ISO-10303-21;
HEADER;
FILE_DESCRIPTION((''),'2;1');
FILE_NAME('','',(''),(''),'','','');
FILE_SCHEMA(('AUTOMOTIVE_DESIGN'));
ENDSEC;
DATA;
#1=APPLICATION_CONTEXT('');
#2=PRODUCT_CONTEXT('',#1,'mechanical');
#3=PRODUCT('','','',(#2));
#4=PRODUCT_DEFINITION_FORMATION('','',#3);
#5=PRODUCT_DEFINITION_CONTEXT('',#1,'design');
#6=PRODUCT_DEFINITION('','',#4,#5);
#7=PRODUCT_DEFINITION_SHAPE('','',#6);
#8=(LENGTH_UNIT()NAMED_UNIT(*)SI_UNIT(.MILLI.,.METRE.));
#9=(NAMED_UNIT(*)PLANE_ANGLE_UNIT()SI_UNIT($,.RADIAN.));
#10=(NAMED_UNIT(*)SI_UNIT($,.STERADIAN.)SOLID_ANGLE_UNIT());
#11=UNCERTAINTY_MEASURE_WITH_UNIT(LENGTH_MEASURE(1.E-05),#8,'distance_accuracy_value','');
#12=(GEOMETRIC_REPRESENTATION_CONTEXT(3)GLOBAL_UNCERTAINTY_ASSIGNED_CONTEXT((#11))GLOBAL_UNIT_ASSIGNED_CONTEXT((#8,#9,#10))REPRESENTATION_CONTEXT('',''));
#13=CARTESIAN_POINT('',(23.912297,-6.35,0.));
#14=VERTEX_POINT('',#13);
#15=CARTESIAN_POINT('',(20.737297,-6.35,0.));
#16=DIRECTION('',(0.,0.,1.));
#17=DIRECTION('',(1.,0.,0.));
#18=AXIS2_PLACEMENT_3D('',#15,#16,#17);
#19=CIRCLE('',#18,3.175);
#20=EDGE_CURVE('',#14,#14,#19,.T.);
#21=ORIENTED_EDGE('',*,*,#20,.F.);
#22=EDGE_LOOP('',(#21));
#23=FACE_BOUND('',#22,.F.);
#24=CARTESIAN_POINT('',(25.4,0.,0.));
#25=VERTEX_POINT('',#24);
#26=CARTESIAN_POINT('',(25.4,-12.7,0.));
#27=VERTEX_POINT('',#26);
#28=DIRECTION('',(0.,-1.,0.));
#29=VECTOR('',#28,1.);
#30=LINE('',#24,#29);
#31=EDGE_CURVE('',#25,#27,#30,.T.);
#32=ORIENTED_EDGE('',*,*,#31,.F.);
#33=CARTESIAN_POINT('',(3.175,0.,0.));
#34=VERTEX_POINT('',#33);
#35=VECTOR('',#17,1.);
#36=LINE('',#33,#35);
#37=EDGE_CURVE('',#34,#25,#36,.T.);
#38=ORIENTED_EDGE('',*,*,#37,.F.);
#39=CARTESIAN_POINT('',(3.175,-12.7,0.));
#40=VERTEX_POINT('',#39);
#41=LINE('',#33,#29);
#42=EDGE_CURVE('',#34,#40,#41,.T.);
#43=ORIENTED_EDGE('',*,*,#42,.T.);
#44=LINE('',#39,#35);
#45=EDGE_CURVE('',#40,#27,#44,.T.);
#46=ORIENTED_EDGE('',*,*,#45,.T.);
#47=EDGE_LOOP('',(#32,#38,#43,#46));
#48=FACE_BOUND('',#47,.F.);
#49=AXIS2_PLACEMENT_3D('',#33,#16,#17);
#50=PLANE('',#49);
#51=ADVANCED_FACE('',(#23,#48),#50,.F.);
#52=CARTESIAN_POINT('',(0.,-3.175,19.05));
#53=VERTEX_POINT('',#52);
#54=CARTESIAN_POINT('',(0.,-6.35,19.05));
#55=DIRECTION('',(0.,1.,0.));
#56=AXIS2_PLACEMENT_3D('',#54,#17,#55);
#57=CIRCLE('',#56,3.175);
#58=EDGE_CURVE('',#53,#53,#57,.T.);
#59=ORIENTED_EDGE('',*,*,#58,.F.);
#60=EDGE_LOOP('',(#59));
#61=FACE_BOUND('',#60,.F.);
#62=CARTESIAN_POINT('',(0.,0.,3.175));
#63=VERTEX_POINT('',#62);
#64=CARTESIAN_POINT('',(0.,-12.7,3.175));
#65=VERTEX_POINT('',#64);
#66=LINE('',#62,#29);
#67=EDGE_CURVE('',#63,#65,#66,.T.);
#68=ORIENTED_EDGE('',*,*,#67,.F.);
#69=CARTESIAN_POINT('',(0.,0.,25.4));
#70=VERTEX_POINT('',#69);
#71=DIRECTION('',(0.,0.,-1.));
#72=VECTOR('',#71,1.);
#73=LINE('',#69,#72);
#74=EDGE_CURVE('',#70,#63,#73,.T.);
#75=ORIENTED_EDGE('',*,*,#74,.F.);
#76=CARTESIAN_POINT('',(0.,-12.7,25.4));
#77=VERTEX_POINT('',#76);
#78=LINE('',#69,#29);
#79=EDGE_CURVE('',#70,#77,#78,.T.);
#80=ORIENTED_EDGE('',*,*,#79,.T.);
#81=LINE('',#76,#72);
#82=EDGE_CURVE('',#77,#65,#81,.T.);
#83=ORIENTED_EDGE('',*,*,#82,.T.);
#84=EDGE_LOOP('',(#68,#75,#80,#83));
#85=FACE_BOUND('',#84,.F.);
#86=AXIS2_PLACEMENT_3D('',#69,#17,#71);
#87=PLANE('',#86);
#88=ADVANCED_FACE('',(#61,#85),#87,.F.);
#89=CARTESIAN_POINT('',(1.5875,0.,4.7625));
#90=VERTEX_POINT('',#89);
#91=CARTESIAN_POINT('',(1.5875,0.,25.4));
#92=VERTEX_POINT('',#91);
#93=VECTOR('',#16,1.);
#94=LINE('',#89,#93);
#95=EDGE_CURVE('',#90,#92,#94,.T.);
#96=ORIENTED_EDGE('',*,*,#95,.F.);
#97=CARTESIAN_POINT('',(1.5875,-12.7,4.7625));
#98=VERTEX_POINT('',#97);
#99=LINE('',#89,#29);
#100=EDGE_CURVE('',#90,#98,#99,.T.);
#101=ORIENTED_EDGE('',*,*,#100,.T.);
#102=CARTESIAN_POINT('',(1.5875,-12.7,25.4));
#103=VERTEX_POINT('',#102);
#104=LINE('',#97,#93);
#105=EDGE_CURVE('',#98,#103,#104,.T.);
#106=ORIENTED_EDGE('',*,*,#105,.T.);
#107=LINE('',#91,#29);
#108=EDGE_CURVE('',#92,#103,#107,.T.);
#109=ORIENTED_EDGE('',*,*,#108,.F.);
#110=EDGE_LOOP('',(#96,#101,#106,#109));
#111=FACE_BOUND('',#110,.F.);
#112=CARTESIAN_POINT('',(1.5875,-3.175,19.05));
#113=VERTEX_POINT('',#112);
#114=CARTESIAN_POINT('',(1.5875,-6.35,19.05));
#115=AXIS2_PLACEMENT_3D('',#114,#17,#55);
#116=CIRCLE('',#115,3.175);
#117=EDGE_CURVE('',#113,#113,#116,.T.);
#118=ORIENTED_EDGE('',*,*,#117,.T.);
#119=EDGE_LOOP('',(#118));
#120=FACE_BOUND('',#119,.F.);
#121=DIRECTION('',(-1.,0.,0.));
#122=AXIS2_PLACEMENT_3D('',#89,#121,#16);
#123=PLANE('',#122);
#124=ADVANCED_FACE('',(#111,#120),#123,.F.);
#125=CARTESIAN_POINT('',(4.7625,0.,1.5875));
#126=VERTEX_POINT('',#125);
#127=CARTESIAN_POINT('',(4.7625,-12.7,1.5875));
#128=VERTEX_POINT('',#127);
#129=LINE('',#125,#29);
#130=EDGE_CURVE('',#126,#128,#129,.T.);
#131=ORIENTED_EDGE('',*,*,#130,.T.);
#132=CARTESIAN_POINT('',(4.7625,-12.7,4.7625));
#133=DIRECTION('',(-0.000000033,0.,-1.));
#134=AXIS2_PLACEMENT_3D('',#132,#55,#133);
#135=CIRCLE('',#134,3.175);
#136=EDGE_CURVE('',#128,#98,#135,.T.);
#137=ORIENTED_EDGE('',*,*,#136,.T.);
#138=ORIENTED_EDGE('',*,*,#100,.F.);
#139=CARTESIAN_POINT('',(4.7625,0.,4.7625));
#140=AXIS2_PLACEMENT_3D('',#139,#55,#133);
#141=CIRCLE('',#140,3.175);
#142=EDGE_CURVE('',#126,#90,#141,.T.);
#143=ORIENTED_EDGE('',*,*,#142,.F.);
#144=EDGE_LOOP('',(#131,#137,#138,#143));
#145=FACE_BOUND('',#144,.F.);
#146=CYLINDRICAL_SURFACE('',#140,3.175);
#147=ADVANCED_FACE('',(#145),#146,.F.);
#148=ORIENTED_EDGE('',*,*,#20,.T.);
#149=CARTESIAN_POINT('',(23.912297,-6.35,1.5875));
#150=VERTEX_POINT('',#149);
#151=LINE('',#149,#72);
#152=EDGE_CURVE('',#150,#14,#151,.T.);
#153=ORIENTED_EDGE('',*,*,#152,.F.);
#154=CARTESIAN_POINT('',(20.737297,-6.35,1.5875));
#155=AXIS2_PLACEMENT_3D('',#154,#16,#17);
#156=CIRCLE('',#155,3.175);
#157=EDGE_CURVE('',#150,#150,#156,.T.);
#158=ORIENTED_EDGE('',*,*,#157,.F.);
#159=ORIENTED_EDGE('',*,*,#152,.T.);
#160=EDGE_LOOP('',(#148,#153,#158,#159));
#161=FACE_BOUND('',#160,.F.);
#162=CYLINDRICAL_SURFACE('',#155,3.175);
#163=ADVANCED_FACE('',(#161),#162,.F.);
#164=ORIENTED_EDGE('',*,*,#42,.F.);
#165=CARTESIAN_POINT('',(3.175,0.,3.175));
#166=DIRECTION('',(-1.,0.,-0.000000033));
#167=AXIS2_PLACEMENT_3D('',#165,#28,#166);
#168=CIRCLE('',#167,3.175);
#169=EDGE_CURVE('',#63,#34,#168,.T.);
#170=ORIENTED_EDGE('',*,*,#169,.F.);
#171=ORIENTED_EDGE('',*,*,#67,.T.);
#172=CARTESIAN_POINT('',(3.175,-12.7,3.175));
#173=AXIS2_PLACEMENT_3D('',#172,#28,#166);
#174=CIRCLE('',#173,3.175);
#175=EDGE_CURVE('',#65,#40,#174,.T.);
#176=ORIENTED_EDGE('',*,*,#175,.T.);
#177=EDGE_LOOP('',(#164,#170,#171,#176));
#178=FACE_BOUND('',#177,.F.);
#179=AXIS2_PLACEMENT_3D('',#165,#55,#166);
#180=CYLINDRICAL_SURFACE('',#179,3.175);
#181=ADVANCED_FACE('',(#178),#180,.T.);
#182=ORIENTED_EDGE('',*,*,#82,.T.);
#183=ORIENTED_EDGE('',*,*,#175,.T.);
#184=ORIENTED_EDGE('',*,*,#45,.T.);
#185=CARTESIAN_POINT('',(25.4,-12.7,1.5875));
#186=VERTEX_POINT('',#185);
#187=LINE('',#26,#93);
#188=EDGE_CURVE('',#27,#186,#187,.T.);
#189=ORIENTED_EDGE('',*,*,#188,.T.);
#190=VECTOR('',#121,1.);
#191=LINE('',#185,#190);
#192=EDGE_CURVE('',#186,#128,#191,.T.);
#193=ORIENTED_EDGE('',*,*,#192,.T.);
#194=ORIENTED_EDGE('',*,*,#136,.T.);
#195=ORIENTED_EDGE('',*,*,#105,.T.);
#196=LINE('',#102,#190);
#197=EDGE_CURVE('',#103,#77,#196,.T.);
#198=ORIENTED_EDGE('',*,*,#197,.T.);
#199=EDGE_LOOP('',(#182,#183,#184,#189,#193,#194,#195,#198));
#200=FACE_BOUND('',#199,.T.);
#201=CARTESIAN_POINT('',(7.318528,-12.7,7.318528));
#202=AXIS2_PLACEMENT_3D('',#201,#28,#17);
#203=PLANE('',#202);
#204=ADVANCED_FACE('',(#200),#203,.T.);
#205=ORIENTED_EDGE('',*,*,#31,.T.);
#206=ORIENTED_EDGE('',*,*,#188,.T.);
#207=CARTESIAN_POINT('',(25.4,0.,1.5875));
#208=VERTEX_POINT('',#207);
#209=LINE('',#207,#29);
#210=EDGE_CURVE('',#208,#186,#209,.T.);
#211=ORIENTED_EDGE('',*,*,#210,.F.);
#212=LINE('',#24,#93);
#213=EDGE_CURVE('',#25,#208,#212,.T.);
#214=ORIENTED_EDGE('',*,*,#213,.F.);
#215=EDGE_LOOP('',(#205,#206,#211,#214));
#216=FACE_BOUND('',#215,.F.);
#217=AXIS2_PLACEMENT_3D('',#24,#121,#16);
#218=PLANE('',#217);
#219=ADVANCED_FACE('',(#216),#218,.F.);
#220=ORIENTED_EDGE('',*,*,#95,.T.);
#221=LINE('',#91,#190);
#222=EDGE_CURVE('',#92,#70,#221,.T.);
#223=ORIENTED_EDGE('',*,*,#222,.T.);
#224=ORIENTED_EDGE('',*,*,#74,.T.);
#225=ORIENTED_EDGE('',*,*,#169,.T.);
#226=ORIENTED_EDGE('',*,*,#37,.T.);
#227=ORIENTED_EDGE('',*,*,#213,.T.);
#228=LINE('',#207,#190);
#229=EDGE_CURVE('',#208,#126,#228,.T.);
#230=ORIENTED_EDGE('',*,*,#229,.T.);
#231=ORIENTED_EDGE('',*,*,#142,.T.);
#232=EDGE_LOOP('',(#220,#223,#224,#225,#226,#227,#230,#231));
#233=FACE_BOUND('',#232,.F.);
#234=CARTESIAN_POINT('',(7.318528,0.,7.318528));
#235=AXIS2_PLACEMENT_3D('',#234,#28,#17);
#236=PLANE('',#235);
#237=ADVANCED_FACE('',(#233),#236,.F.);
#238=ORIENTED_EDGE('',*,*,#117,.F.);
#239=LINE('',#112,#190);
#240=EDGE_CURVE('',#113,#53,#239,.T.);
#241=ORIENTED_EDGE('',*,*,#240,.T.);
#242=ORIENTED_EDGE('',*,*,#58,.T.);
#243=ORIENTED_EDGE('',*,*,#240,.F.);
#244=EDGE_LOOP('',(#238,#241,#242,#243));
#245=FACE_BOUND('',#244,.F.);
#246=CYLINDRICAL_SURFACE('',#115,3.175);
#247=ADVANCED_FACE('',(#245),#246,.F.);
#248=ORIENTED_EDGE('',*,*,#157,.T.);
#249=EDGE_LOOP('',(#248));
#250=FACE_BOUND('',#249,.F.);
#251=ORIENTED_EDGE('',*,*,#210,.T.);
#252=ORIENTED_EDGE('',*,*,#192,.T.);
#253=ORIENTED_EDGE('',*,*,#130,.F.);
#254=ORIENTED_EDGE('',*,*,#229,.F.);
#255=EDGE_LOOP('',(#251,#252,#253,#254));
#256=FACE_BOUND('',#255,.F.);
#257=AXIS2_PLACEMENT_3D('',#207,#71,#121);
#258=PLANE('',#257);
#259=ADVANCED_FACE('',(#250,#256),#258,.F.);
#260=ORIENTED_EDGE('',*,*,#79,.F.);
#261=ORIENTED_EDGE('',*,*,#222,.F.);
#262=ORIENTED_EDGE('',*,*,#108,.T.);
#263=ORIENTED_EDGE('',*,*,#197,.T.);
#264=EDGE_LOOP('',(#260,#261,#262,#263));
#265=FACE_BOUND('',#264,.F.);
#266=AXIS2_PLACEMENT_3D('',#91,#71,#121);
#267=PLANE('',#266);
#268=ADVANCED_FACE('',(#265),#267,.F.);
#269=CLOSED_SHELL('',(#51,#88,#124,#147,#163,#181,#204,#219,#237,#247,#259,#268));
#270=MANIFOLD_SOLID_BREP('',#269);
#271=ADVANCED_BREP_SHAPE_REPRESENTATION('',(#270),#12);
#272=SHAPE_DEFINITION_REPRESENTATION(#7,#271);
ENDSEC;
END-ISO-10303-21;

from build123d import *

# Parameters (mm, degrees)
F1_DEPTH = 12.7
F3_R     = 3.175
F4_DEPTH = 1.5875
F7_DEPTH = 1.5875


with BuildPart() as f1:
    # F0 (on Front) → F1 (new body)
    with BuildSketch(Plane.XZ):
        with BuildLine():
            Line((1.5875, 25.4), (0, 25.4))
            Line((0, 25.4), (0, 3.175))
            ThreePointArc((0, 3.175), (0.929936, 0.929936), (3.175, 0))
            Line((3.175, 0), (25.4, 0))
            Line((25.4, 0), (25.4, 1.5875))
            Line((25.4, 1.5875), (4.7625, 1.5875))
            ThreePointArc((4.7625, 1.5875), (2.517436, 2.517436), (1.5875, 4.7625))
            Line((1.5875, 4.7625), (1.5875, 25.4))
        make_face()
    extrude(amount=F1_DEPTH)

    # F3 (on offset) → F4 (cut)
    with BuildSketch(Plane.YZ.offset(1.5875)):
        with Locations((-6.35, 19.05)):
            Circle(F3_R)
    extrude(amount=-F4_DEPTH, mode=Mode.SUBTRACT)

    # F6 (on offset) → F7 (cut)
    with BuildSketch(Plane.XY.offset(1.5875)):
        with BuildLine():
            ThreePointArc((17.562297, -6.35), (20.737297, -9.525), (23.912297, -6.35))
            ThreePointArc((23.912297, -6.35), (20.737297, -3.175), (17.562297, -6.35))
        make_face()
    extrude(amount=-F7_DEPTH, mode=Mode.SUBTRACT)


solid = f1.part
